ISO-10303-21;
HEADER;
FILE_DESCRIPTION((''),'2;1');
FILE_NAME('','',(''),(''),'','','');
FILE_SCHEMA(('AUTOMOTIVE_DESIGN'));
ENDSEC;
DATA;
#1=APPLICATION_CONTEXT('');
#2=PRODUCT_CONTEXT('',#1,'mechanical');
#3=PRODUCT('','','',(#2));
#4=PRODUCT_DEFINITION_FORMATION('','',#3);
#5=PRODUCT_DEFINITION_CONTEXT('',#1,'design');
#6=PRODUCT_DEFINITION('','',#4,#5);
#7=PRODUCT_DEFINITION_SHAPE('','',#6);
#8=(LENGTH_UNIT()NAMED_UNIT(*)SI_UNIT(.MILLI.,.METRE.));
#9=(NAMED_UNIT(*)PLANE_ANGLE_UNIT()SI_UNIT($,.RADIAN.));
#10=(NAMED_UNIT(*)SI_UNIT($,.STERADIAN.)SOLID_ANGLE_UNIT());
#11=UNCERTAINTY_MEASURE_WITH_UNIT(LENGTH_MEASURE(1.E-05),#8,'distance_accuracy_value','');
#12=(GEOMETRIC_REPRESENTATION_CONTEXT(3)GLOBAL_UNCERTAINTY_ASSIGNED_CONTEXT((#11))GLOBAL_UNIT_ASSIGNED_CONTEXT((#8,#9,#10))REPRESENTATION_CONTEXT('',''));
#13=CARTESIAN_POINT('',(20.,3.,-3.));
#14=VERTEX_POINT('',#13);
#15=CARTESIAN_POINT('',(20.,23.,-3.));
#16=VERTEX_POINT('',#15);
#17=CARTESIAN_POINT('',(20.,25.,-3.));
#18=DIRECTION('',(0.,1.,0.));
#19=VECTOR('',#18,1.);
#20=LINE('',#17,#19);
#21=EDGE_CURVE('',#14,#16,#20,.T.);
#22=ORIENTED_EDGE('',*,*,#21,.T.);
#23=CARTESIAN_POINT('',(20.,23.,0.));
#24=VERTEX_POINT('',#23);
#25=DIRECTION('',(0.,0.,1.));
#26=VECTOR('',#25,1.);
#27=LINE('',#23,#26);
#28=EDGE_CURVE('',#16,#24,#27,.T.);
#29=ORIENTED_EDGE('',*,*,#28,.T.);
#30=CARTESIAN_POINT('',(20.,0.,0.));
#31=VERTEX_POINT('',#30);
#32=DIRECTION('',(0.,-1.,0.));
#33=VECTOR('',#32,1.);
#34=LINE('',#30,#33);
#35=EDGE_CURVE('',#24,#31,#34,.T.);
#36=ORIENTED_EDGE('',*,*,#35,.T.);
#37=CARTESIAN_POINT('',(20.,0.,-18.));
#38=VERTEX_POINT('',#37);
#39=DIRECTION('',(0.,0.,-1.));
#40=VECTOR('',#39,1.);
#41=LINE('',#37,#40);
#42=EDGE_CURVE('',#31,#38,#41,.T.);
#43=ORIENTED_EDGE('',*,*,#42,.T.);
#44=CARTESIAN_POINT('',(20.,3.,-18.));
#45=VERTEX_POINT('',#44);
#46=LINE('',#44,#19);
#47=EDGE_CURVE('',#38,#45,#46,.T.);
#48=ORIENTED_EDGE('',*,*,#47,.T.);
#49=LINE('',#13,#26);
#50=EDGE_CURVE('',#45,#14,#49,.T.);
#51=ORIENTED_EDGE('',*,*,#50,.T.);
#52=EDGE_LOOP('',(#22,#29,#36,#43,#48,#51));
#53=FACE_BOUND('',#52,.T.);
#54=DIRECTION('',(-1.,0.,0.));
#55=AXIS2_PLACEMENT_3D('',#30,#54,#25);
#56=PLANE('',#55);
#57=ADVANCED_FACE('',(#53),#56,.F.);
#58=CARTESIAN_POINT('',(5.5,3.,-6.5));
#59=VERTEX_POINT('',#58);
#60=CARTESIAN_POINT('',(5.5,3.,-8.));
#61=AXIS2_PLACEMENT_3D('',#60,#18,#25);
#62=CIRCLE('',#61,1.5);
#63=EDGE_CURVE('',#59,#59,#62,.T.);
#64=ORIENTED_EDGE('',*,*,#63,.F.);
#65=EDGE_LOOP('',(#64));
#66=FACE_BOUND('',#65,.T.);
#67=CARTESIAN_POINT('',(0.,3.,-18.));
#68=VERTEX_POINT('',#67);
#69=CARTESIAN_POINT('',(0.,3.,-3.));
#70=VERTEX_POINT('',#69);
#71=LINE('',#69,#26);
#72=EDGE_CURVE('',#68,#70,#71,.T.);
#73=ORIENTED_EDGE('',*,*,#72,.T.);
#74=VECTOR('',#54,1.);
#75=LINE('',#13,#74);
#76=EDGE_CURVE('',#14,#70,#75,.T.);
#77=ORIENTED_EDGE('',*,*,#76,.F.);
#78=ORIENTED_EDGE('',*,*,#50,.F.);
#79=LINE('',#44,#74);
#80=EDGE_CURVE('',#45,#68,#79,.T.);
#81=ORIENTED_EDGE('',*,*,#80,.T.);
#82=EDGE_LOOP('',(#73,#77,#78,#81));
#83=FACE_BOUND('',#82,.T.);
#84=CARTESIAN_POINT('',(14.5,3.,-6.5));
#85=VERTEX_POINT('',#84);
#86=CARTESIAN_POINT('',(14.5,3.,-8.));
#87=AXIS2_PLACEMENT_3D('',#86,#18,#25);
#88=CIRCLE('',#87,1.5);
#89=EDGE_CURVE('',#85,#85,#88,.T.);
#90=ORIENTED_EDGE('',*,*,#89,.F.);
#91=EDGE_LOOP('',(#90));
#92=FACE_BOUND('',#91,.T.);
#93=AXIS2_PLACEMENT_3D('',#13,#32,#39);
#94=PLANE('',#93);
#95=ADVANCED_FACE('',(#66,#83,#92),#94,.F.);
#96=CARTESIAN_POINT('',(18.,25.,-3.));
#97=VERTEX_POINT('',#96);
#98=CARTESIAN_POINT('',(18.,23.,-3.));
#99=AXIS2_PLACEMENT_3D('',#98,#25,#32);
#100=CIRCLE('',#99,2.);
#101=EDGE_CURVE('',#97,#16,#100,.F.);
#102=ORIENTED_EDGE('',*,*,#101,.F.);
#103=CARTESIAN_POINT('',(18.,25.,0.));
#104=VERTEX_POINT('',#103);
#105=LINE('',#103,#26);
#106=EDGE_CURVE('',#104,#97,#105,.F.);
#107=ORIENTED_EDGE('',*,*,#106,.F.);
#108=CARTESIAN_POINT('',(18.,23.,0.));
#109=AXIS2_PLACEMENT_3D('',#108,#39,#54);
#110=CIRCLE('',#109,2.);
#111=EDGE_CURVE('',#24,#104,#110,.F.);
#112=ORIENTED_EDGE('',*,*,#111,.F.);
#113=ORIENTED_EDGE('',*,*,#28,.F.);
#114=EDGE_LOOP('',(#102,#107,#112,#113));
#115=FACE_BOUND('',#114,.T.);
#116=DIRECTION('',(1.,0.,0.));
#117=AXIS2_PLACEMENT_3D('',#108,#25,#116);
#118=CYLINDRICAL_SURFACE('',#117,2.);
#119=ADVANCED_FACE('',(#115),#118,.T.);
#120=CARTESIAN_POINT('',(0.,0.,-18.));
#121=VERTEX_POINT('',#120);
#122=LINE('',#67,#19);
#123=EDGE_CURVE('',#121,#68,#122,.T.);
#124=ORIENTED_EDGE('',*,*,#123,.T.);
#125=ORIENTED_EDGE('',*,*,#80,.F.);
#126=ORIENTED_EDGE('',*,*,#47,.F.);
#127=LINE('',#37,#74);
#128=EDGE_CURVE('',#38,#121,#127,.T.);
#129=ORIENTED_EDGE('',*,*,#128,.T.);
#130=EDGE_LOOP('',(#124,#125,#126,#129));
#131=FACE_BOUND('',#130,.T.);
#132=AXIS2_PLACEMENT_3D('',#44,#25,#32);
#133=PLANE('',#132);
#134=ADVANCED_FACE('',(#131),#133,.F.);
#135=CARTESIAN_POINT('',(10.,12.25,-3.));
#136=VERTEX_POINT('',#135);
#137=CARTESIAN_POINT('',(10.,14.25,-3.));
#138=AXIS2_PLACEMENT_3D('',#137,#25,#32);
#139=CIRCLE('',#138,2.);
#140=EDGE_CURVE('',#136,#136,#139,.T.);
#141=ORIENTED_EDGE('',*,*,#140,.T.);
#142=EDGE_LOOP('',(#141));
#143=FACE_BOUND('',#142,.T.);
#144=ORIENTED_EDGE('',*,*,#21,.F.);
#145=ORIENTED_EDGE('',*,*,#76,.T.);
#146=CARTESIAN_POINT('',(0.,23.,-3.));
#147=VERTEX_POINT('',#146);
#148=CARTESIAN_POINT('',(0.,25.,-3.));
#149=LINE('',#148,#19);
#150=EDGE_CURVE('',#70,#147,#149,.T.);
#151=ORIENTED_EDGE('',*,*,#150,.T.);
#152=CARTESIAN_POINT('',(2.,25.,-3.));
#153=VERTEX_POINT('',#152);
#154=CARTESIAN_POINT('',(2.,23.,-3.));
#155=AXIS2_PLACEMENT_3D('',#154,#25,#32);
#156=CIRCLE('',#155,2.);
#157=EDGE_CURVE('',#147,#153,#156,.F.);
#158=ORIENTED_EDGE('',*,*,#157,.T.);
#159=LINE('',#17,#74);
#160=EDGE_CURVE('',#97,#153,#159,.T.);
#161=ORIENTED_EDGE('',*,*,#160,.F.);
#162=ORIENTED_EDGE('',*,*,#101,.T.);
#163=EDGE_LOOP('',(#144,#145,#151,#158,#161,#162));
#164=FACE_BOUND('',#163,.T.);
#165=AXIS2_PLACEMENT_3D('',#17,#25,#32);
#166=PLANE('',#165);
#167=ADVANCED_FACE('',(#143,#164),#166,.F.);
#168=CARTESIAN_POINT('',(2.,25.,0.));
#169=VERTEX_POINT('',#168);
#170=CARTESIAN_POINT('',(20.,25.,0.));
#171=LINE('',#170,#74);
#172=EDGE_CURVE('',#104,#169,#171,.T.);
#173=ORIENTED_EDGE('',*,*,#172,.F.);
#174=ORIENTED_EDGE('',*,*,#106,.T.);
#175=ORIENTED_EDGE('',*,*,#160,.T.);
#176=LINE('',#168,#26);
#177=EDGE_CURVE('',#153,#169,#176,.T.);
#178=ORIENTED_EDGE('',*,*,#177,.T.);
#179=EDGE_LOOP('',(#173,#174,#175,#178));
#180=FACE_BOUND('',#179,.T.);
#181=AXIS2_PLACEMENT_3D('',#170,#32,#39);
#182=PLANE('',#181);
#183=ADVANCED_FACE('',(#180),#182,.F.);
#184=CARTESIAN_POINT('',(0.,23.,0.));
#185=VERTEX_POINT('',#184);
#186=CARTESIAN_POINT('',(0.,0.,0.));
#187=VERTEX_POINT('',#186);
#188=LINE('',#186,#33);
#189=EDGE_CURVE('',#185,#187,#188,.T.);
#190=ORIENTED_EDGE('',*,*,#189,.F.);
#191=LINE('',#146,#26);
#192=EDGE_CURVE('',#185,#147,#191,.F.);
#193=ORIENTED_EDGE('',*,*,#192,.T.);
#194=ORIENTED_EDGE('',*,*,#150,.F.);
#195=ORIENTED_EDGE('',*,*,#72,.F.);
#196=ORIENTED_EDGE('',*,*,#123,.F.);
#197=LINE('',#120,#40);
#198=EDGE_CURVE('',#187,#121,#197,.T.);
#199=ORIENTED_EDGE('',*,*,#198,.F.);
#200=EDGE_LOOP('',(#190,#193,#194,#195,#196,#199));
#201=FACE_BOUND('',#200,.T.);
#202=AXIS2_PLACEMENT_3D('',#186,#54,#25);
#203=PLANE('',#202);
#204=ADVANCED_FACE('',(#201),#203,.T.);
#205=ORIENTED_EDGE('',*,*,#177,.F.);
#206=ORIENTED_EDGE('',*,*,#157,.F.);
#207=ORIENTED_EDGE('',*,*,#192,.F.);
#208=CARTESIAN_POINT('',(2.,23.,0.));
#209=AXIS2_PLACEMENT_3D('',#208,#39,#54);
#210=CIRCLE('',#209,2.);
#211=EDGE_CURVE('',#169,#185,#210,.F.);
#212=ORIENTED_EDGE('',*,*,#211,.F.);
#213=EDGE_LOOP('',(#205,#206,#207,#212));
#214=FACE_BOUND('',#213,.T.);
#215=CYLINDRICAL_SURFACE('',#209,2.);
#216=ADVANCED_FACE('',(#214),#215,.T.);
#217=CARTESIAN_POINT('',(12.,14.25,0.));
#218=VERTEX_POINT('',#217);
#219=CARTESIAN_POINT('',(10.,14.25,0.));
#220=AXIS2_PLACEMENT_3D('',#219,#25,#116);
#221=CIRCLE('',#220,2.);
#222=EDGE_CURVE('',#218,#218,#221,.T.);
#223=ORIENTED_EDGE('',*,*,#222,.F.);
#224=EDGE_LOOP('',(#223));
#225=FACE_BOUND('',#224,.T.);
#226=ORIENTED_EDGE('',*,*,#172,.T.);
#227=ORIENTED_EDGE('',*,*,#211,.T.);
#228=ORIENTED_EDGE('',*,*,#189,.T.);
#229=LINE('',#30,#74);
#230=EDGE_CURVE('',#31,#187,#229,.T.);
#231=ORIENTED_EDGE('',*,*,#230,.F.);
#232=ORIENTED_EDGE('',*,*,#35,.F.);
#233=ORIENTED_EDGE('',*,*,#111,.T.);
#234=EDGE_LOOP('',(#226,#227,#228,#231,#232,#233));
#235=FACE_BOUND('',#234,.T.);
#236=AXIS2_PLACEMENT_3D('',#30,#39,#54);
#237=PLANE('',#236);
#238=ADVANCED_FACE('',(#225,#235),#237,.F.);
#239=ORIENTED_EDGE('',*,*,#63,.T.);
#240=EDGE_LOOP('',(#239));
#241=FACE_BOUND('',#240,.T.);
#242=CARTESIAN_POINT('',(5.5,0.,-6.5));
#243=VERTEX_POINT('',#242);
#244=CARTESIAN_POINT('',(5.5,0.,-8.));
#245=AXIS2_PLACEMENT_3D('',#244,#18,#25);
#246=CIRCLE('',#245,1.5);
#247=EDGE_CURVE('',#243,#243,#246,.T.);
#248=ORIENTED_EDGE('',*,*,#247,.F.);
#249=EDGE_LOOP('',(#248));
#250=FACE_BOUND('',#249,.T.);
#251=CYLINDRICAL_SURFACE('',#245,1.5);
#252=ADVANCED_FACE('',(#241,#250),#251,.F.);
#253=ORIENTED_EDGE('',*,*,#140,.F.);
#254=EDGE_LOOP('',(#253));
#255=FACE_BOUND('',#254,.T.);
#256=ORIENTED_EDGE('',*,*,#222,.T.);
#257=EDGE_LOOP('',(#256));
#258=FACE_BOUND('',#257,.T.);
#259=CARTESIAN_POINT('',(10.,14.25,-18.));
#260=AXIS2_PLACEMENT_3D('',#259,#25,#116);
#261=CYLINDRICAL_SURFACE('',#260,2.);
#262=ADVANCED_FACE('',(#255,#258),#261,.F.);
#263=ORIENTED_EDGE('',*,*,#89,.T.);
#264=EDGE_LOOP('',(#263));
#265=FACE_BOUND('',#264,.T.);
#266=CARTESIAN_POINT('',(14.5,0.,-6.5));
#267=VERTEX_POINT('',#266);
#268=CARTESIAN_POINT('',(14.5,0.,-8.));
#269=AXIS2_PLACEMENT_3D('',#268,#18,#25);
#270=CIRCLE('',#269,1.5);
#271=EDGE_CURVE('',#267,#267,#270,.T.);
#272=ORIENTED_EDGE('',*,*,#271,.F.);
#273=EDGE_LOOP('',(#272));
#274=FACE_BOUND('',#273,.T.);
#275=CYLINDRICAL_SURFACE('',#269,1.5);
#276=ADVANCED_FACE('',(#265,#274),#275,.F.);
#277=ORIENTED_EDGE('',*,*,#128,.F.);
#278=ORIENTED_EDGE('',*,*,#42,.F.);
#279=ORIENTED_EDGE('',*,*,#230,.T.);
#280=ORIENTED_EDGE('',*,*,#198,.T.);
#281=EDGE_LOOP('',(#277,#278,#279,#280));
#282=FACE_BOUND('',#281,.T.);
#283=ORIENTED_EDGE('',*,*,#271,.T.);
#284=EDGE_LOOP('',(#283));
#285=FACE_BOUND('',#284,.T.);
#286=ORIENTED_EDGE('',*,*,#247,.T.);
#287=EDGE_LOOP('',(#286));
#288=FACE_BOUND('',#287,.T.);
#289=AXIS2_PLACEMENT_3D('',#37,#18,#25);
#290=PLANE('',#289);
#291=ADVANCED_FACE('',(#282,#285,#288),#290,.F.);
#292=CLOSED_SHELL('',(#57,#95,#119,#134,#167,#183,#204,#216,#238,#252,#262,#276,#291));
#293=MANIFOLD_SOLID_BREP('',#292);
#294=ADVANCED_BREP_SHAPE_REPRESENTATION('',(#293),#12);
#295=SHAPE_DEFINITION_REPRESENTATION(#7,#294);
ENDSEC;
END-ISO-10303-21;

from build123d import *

# Parameters (mm, degrees)
EXTRUDE_1_DEPTH     = 20
SKETCH_2_R          = 1.5
CUT_EXTRUDE_1_DEPTH = 35.756294394
FILLET_1_R          = 2
SKETCH_3_R          = 2
CUT_EXTRUDE_2_DEPTH = 37.728735344


with BuildPart() as part:
    # 草图1 → 凸台-拉伸1 (new body)
    with BuildSketch(Plane(origin=(0, 0, 0), x_dir=(0, 0, -1), z_dir=(1, 0, 0))):
        Polygon((0, 0), (0, 25), (3, 25), (3, 3), (18, 3), (18, 0), align=None)
    extrude(amount=EXTRUDE_1_DEPTH)

    # 草图2 → 切除-拉伸1 (cut, through all)
    with BuildSketch(Plane(origin=(0, 3, 0), x_dir=(1, 0, 0), z_dir=(0, 1, 0))):
        with Locations(Location((5.5, 8, 0), (0, 0, 270))):
            Circle(SKETCH_2_R)
        with Locations(Location((14.5, 8, 0), (0, 0, 270))):
            Circle(SKETCH_2_R)
    extrude(amount=-CUT_EXTRUDE_1_DEPTH, mode=Mode.SUBTRACT)

    # 圆角1
    fillet_1_edges = [part.edges().sort_by_distance(p)[0] for p in [
        (20, 25, -1.5),
        (0, 25, -1.5),
    ]]
    fillet(fillet_1_edges, radius=FILLET_1_R)

    # 草图3 → 切除-拉伸2 (cut, through all)
    with BuildSketch(Plane.XY):
        with Locations((10, 14.25)):
            Circle(SKETCH_3_R)
    extrude(amount=-CUT_EXTRUDE_2_DEPTH, mode=Mode.SUBTRACT)


solid = part.part
